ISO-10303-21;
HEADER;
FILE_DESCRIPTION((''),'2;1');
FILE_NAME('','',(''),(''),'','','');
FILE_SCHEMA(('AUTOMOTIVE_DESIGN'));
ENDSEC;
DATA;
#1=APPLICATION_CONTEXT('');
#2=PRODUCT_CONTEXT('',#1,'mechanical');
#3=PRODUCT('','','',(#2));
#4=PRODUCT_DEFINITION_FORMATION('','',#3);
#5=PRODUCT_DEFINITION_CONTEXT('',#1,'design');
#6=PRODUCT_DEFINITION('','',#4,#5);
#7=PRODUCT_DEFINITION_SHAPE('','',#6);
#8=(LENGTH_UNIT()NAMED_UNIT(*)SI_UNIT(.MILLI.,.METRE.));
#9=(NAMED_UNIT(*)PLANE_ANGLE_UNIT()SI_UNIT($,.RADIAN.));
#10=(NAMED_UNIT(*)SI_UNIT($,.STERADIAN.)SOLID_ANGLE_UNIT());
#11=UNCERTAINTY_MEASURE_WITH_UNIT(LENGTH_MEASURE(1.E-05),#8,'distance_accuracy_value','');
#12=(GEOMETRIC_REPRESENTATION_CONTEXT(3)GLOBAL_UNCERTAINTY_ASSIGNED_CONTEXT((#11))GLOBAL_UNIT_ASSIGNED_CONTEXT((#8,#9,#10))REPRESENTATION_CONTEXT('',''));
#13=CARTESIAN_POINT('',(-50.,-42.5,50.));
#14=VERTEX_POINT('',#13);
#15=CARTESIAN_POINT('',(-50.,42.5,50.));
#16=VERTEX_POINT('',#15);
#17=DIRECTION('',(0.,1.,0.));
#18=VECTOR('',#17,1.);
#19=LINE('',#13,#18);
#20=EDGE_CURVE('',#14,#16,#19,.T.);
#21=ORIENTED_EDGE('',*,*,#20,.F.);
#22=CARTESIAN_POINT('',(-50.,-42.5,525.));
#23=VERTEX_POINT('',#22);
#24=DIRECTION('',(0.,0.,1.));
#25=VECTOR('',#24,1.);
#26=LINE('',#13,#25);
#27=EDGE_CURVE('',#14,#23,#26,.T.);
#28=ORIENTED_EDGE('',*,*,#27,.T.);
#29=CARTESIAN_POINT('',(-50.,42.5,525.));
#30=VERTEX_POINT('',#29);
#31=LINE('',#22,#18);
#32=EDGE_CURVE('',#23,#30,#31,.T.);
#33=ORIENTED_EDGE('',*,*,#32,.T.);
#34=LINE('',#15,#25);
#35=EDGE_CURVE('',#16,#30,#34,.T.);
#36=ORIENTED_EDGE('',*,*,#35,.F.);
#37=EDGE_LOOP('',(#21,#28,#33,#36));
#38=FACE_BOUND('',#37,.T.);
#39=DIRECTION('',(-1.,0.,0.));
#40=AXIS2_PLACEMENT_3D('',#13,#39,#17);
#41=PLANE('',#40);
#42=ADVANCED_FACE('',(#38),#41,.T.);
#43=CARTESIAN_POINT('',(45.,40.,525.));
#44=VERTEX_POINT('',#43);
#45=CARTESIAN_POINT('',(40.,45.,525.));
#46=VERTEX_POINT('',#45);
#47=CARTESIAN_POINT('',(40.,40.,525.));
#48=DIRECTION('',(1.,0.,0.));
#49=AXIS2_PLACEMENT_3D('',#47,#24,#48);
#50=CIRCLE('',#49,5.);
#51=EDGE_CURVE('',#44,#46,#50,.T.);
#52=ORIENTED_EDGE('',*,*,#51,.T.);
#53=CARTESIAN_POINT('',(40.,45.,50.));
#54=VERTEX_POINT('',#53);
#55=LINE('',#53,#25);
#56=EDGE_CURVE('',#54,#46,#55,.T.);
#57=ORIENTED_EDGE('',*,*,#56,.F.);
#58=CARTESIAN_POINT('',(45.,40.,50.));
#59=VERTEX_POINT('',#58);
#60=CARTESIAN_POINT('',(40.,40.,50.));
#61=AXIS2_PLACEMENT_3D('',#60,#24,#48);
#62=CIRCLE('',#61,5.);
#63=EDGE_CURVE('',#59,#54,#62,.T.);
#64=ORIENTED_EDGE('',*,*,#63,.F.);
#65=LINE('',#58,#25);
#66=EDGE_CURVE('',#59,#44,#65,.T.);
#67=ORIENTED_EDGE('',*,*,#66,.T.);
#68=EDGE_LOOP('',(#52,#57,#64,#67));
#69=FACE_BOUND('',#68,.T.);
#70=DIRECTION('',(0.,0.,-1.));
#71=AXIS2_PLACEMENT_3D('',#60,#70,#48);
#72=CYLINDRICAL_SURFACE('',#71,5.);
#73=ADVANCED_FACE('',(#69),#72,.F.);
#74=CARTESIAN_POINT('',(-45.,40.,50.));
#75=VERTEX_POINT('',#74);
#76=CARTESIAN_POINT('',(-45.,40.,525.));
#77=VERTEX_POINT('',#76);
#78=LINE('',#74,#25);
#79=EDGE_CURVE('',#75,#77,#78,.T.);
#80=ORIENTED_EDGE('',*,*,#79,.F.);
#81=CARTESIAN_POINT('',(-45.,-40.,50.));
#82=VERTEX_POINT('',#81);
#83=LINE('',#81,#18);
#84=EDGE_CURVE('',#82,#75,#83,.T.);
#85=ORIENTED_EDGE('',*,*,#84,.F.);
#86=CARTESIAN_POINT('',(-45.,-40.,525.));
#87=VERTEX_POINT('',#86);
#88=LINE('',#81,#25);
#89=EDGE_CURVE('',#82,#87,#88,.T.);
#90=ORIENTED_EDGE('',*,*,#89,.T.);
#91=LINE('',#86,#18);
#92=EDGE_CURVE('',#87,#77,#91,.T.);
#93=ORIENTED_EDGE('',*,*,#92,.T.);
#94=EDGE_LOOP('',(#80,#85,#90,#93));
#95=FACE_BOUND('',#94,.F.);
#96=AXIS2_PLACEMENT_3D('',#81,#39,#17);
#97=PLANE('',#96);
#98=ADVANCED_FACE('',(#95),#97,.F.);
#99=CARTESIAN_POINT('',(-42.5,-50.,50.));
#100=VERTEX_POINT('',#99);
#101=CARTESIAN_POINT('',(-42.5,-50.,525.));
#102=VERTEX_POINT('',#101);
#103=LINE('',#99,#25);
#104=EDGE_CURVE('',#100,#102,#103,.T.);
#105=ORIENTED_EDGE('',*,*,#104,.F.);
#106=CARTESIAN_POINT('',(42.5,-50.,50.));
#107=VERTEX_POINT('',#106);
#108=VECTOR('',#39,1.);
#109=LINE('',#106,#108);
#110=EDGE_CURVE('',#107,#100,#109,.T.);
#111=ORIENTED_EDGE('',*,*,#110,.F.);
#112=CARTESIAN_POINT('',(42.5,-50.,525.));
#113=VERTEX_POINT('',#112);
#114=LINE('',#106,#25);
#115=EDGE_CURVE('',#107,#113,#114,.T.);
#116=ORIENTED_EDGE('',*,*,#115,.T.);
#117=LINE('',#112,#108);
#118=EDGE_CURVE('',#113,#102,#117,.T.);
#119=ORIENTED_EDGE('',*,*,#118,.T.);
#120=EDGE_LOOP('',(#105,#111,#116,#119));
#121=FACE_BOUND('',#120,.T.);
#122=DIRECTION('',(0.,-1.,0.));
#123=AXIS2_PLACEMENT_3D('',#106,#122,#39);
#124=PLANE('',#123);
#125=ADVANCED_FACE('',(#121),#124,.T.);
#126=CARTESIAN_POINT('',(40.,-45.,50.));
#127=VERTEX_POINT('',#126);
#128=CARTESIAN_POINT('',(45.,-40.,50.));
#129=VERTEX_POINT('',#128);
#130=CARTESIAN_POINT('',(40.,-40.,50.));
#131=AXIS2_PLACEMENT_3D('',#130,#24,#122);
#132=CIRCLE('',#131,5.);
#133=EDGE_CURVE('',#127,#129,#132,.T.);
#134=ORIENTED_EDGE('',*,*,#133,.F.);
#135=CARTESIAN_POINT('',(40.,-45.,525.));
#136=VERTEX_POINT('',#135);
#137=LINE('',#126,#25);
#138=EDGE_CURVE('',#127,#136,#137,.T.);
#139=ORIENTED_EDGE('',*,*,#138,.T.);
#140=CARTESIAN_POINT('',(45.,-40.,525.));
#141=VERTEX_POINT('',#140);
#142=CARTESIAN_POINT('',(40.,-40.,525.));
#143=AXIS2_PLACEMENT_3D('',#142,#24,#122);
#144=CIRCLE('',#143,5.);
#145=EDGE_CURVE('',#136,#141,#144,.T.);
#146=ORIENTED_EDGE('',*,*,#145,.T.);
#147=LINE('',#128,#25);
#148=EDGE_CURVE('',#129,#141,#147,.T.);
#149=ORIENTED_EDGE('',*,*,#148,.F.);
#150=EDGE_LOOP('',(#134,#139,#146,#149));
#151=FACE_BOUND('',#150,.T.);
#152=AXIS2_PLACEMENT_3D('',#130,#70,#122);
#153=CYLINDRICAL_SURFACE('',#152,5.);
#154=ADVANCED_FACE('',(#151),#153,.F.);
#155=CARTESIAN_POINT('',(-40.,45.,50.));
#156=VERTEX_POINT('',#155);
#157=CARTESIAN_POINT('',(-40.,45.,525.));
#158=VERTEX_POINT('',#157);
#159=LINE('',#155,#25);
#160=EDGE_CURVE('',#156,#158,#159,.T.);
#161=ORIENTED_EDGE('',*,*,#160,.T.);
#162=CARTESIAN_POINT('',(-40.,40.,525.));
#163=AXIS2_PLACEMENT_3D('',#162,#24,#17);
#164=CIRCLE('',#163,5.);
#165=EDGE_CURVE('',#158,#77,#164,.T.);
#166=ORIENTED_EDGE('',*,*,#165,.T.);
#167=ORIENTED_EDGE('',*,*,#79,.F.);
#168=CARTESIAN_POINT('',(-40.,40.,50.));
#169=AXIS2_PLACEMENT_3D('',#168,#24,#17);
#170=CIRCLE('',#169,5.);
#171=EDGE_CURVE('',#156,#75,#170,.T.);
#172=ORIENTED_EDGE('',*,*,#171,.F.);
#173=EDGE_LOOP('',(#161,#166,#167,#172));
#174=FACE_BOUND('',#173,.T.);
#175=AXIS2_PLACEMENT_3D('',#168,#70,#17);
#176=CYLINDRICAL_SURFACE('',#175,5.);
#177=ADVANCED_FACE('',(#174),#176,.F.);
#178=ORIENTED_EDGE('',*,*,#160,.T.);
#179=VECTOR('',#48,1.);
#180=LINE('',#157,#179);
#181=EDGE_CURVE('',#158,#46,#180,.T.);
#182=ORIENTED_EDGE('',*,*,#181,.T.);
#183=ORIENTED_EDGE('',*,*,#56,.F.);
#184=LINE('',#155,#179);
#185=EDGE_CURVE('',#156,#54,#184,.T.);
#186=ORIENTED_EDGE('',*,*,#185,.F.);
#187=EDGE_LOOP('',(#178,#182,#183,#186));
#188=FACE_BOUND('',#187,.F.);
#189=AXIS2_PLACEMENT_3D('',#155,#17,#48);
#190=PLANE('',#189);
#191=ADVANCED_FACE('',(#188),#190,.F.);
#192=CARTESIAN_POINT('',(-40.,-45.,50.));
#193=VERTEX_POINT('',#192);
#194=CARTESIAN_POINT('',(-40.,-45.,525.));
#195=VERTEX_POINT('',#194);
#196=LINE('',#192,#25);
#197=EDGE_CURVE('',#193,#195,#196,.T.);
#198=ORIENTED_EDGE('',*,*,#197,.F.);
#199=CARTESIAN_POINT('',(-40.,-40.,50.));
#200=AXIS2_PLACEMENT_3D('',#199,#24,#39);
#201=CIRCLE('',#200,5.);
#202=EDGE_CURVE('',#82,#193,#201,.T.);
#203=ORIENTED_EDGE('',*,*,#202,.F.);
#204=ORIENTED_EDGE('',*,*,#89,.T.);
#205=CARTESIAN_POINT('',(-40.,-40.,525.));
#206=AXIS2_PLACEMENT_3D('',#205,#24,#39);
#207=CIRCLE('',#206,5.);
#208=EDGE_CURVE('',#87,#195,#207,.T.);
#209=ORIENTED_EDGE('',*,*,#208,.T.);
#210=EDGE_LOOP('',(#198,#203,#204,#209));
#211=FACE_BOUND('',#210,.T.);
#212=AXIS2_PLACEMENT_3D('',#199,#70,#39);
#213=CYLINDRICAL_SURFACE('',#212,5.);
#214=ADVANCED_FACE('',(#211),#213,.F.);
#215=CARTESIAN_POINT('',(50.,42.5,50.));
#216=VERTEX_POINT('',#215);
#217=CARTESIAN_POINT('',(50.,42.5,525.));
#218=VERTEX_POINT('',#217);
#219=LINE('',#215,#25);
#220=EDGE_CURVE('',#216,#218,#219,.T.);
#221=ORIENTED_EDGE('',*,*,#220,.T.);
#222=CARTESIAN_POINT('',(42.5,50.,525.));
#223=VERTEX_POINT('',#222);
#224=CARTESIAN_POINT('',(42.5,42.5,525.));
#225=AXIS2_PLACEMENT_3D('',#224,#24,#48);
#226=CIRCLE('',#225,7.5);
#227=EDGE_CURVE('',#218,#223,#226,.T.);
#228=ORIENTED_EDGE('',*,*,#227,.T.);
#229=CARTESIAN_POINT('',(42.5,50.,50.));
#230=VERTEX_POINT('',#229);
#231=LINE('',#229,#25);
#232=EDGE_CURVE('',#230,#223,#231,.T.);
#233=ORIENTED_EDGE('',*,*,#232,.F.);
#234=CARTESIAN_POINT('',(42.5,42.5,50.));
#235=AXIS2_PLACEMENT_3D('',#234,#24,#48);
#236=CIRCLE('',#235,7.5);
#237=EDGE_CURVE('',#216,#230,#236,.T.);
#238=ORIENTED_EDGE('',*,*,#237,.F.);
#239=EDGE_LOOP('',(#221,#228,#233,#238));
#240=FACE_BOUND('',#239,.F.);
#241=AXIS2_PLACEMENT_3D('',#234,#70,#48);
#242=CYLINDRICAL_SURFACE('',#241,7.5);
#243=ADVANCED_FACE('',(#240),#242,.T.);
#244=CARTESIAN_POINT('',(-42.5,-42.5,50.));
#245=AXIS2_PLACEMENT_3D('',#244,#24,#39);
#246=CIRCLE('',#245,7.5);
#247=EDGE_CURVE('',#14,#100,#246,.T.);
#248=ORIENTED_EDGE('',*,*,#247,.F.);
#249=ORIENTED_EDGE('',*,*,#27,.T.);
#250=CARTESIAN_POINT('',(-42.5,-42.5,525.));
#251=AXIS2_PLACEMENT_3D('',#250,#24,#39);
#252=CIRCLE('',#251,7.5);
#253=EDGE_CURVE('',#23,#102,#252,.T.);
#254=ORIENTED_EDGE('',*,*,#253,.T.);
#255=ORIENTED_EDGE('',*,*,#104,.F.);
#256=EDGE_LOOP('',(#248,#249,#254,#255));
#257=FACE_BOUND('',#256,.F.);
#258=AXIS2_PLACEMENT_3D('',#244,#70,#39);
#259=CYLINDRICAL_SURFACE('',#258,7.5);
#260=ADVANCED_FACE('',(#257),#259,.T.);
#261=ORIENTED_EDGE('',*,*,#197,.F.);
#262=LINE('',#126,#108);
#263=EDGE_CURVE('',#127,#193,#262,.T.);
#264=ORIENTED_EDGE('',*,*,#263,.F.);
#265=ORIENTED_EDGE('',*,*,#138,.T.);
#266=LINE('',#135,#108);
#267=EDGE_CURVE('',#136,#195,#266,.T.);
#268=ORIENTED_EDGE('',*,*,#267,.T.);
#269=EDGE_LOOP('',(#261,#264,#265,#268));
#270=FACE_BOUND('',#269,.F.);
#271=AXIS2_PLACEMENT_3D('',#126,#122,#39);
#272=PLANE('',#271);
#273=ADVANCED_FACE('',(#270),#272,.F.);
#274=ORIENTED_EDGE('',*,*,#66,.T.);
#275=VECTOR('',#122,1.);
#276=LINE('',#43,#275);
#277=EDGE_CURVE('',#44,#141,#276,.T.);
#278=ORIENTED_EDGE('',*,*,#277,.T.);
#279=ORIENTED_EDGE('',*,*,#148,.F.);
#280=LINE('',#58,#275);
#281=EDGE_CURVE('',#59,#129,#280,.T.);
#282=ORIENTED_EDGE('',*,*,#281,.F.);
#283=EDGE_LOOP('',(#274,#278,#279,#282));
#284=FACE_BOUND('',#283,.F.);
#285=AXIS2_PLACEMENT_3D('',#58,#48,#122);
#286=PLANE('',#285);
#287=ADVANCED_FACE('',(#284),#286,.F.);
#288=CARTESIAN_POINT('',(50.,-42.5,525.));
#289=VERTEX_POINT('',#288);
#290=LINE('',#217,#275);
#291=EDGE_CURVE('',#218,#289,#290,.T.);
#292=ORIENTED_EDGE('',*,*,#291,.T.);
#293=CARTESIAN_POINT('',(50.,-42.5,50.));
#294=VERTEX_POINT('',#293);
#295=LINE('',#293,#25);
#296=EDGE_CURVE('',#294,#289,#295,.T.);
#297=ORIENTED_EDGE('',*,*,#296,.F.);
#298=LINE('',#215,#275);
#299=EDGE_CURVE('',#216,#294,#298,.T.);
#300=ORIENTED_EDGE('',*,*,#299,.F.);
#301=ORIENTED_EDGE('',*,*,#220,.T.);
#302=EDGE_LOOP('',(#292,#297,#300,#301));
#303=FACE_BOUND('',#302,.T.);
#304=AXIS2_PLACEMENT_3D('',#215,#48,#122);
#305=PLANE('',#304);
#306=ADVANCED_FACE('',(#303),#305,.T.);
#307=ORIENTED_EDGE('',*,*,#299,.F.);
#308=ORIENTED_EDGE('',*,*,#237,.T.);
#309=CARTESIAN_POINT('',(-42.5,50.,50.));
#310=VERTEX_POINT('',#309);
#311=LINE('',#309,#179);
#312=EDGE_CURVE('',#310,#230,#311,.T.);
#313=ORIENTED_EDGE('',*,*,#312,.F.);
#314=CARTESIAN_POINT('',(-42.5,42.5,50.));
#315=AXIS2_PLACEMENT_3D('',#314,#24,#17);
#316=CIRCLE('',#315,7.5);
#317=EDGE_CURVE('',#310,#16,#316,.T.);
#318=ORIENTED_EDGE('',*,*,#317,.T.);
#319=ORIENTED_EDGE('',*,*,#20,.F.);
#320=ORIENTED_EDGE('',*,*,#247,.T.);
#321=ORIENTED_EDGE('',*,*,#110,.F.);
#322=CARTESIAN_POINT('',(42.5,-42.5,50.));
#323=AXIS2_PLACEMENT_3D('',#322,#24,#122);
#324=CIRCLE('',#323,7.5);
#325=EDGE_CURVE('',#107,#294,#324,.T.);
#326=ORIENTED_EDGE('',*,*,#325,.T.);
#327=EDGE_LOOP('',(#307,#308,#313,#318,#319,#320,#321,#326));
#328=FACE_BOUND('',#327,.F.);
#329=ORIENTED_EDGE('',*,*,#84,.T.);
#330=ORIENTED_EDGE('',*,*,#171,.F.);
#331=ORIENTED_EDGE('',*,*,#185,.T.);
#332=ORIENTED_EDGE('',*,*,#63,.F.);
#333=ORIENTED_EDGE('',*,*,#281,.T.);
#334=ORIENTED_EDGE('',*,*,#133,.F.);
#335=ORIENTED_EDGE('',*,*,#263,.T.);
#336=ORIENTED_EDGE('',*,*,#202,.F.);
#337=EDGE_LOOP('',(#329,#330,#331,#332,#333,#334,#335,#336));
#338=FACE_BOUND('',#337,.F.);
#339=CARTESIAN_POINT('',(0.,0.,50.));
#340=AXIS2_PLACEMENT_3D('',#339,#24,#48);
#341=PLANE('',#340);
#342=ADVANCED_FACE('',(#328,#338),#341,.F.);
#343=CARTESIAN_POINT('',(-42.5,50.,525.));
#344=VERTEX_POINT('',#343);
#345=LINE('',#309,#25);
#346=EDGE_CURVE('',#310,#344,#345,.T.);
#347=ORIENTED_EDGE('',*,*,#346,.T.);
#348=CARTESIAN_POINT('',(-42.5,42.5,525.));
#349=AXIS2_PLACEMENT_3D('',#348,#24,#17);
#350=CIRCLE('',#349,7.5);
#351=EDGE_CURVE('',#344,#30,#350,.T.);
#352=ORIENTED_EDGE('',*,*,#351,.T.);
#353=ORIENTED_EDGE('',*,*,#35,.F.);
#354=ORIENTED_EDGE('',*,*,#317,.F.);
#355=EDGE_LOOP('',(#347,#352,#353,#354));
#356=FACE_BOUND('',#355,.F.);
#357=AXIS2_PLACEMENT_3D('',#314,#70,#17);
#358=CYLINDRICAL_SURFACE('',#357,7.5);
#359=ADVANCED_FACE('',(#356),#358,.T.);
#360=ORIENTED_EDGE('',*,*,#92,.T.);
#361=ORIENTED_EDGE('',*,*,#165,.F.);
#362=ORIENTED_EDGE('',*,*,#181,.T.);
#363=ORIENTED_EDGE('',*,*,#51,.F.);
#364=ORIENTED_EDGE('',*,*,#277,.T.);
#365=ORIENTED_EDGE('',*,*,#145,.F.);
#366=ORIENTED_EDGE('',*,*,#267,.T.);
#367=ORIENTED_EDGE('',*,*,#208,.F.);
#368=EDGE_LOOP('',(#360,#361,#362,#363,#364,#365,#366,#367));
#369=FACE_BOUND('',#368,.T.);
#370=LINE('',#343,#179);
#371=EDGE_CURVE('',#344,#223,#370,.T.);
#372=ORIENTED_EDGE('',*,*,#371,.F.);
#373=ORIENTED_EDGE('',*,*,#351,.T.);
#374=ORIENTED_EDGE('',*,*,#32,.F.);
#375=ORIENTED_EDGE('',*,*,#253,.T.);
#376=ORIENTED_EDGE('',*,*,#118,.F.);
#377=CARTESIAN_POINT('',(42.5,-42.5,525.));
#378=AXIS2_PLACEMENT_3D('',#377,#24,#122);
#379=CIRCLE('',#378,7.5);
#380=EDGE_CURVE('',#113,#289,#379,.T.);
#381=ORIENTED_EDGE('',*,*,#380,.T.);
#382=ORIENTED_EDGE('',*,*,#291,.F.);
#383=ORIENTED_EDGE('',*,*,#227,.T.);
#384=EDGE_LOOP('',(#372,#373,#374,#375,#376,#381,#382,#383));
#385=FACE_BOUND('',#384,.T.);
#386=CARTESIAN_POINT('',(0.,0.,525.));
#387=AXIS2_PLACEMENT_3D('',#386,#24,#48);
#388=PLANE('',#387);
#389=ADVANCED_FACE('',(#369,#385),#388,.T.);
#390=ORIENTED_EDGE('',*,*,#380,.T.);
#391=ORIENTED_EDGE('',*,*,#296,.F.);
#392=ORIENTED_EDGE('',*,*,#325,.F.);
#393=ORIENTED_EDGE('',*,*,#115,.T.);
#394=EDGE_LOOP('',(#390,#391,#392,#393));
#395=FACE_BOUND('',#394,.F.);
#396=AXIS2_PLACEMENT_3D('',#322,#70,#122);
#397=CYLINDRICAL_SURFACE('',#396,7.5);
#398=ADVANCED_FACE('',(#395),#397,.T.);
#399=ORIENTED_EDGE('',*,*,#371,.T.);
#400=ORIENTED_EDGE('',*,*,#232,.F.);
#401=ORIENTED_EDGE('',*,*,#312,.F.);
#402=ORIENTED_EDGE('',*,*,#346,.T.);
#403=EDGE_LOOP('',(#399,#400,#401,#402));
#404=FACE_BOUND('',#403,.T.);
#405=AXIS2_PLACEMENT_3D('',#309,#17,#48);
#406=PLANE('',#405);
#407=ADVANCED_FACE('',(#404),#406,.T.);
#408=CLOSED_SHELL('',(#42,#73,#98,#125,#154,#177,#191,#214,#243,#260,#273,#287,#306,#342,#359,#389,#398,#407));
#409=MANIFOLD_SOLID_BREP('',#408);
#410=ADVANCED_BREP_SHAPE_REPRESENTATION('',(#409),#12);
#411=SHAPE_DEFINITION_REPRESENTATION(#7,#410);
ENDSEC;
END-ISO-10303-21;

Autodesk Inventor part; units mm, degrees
ref_plane "Start Plane" through (0, 0, 50) normal (0, 0, 1) x (1, 0, 0)
ref_plane "End Plane" through (0, 0, 525) normal (0, 0, 1) x (1, 0, 0)
sketch "Sketch" plane through (0, 0, 0) normal (0, 0, 1) x (1, 0, 0)
  line L0 (-50, -42.5) -> (-50, 42.5)
  line L1 (-42.5, 50) -> (42.5, 50)
  line L2 (50, 42.5) -> (50, -42.5)
  line L3 (42.5, -50) -> (-42.5, -50)
  arc A0 (-50, -42.5) -> (-42.5, -50) centre (-42.5, -42.5) ccw
  arc A1 (-42.5, 50) -> (-50, 42.5) centre (-42.5, 42.5) ccw
  arc A2 (50, 42.5) -> (42.5, 50) centre (42.5, 42.5) ccw
  arc A3 (42.5, -50) -> (50, -42.5) centre (42.5, -42.5) ccw
  line L4 (-40, 45) -> (40, 45)
  line L5 (45, 40) -> (45, -40)
  line L6 (40, -45) -> (-40, -45)
  line L7 (-45, -40) -> (-45, 40)
  line L8 (0, 72.1746) -> (0, -72.1746) construction
  line L9 (-72.1746, 0) -> (72.1746, 0) construction
  arc A4 (-45, -40) -> (-40, -45) centre (-40, -40) ccw
  arc A5 (-40, 45) -> (-45, 40) centre (-40, 40) ccw
  arc A6 (45, 40) -> (40, 45) centre (40, 40) ccw
  arc A7 (40, -45) -> (45, -40) centre (40, -40) ccw
  dimension "d7" = 7.5
  dimension "d10" = 100
  dimension "d11" = 100
  dimension "d12" = 5
  dimension "d15" = 50
  dimension "d16" = 50
  dimension "d19" = 5
  dimension "d20" = 5
extrude "Body" add sketch "Sketch" along normal up to surface (475 mm away) from surface at 50
sketch "Sketch3" plane through (0, 0, 0) normal (0, 0, 1) x (1, 0, 0)
  line L0 (0, 0) -> (10, 0)
ref_plane "Work Plane3" through (0, 0, 0) normal (0, -1, 0) x (1, 0, 0)
ref_plane "Work Plane4" through (42.5, -515, 50) normal (0, 0, -1) x (-1, 0, 0)
split "Split1" plane through (42.5, -515, 50) removes the side toward (0, 0, -1)
sketch "Sketch4" plane through (0, 0, 0) normal (0, -1, 0) x (1, 0, 0)
  line L0 (-2, 50) -> (12, 50) projected
  line L1 (-2, 525) -> (12, 525) projected
  dimension "d18" = 475
equation "\"d7\" = G_IR"
equation "\"d10\" = G_H"
equation "\"d11\" = G_W"
equation "\"d12\" = G_T"
equation "\"d15\" = 0.5 * d10"
equation "\"d16\" = 0.5 * d11"
equation "\"d19\" = G_T"
equation "\"d20\" = G_T"
equation "\"d3\" = G_L"
equation "\"G_W\" = 100"
equation "\"G_H\" = 100"
equation "\"G_T\" = 5"
equation "\"G_IR\" = 7.5"
equation "\"G_L\" = d18"
equation "\"G_OFFSET_END\" = 0"
equation "\"d14\" = G_OFFSET_END + B_L"
equation "\"B_L\" = 525"
properties part number "DIN EN 10210-2 - 100 x 100 x 5 - 475" material "Steel, Mild"
